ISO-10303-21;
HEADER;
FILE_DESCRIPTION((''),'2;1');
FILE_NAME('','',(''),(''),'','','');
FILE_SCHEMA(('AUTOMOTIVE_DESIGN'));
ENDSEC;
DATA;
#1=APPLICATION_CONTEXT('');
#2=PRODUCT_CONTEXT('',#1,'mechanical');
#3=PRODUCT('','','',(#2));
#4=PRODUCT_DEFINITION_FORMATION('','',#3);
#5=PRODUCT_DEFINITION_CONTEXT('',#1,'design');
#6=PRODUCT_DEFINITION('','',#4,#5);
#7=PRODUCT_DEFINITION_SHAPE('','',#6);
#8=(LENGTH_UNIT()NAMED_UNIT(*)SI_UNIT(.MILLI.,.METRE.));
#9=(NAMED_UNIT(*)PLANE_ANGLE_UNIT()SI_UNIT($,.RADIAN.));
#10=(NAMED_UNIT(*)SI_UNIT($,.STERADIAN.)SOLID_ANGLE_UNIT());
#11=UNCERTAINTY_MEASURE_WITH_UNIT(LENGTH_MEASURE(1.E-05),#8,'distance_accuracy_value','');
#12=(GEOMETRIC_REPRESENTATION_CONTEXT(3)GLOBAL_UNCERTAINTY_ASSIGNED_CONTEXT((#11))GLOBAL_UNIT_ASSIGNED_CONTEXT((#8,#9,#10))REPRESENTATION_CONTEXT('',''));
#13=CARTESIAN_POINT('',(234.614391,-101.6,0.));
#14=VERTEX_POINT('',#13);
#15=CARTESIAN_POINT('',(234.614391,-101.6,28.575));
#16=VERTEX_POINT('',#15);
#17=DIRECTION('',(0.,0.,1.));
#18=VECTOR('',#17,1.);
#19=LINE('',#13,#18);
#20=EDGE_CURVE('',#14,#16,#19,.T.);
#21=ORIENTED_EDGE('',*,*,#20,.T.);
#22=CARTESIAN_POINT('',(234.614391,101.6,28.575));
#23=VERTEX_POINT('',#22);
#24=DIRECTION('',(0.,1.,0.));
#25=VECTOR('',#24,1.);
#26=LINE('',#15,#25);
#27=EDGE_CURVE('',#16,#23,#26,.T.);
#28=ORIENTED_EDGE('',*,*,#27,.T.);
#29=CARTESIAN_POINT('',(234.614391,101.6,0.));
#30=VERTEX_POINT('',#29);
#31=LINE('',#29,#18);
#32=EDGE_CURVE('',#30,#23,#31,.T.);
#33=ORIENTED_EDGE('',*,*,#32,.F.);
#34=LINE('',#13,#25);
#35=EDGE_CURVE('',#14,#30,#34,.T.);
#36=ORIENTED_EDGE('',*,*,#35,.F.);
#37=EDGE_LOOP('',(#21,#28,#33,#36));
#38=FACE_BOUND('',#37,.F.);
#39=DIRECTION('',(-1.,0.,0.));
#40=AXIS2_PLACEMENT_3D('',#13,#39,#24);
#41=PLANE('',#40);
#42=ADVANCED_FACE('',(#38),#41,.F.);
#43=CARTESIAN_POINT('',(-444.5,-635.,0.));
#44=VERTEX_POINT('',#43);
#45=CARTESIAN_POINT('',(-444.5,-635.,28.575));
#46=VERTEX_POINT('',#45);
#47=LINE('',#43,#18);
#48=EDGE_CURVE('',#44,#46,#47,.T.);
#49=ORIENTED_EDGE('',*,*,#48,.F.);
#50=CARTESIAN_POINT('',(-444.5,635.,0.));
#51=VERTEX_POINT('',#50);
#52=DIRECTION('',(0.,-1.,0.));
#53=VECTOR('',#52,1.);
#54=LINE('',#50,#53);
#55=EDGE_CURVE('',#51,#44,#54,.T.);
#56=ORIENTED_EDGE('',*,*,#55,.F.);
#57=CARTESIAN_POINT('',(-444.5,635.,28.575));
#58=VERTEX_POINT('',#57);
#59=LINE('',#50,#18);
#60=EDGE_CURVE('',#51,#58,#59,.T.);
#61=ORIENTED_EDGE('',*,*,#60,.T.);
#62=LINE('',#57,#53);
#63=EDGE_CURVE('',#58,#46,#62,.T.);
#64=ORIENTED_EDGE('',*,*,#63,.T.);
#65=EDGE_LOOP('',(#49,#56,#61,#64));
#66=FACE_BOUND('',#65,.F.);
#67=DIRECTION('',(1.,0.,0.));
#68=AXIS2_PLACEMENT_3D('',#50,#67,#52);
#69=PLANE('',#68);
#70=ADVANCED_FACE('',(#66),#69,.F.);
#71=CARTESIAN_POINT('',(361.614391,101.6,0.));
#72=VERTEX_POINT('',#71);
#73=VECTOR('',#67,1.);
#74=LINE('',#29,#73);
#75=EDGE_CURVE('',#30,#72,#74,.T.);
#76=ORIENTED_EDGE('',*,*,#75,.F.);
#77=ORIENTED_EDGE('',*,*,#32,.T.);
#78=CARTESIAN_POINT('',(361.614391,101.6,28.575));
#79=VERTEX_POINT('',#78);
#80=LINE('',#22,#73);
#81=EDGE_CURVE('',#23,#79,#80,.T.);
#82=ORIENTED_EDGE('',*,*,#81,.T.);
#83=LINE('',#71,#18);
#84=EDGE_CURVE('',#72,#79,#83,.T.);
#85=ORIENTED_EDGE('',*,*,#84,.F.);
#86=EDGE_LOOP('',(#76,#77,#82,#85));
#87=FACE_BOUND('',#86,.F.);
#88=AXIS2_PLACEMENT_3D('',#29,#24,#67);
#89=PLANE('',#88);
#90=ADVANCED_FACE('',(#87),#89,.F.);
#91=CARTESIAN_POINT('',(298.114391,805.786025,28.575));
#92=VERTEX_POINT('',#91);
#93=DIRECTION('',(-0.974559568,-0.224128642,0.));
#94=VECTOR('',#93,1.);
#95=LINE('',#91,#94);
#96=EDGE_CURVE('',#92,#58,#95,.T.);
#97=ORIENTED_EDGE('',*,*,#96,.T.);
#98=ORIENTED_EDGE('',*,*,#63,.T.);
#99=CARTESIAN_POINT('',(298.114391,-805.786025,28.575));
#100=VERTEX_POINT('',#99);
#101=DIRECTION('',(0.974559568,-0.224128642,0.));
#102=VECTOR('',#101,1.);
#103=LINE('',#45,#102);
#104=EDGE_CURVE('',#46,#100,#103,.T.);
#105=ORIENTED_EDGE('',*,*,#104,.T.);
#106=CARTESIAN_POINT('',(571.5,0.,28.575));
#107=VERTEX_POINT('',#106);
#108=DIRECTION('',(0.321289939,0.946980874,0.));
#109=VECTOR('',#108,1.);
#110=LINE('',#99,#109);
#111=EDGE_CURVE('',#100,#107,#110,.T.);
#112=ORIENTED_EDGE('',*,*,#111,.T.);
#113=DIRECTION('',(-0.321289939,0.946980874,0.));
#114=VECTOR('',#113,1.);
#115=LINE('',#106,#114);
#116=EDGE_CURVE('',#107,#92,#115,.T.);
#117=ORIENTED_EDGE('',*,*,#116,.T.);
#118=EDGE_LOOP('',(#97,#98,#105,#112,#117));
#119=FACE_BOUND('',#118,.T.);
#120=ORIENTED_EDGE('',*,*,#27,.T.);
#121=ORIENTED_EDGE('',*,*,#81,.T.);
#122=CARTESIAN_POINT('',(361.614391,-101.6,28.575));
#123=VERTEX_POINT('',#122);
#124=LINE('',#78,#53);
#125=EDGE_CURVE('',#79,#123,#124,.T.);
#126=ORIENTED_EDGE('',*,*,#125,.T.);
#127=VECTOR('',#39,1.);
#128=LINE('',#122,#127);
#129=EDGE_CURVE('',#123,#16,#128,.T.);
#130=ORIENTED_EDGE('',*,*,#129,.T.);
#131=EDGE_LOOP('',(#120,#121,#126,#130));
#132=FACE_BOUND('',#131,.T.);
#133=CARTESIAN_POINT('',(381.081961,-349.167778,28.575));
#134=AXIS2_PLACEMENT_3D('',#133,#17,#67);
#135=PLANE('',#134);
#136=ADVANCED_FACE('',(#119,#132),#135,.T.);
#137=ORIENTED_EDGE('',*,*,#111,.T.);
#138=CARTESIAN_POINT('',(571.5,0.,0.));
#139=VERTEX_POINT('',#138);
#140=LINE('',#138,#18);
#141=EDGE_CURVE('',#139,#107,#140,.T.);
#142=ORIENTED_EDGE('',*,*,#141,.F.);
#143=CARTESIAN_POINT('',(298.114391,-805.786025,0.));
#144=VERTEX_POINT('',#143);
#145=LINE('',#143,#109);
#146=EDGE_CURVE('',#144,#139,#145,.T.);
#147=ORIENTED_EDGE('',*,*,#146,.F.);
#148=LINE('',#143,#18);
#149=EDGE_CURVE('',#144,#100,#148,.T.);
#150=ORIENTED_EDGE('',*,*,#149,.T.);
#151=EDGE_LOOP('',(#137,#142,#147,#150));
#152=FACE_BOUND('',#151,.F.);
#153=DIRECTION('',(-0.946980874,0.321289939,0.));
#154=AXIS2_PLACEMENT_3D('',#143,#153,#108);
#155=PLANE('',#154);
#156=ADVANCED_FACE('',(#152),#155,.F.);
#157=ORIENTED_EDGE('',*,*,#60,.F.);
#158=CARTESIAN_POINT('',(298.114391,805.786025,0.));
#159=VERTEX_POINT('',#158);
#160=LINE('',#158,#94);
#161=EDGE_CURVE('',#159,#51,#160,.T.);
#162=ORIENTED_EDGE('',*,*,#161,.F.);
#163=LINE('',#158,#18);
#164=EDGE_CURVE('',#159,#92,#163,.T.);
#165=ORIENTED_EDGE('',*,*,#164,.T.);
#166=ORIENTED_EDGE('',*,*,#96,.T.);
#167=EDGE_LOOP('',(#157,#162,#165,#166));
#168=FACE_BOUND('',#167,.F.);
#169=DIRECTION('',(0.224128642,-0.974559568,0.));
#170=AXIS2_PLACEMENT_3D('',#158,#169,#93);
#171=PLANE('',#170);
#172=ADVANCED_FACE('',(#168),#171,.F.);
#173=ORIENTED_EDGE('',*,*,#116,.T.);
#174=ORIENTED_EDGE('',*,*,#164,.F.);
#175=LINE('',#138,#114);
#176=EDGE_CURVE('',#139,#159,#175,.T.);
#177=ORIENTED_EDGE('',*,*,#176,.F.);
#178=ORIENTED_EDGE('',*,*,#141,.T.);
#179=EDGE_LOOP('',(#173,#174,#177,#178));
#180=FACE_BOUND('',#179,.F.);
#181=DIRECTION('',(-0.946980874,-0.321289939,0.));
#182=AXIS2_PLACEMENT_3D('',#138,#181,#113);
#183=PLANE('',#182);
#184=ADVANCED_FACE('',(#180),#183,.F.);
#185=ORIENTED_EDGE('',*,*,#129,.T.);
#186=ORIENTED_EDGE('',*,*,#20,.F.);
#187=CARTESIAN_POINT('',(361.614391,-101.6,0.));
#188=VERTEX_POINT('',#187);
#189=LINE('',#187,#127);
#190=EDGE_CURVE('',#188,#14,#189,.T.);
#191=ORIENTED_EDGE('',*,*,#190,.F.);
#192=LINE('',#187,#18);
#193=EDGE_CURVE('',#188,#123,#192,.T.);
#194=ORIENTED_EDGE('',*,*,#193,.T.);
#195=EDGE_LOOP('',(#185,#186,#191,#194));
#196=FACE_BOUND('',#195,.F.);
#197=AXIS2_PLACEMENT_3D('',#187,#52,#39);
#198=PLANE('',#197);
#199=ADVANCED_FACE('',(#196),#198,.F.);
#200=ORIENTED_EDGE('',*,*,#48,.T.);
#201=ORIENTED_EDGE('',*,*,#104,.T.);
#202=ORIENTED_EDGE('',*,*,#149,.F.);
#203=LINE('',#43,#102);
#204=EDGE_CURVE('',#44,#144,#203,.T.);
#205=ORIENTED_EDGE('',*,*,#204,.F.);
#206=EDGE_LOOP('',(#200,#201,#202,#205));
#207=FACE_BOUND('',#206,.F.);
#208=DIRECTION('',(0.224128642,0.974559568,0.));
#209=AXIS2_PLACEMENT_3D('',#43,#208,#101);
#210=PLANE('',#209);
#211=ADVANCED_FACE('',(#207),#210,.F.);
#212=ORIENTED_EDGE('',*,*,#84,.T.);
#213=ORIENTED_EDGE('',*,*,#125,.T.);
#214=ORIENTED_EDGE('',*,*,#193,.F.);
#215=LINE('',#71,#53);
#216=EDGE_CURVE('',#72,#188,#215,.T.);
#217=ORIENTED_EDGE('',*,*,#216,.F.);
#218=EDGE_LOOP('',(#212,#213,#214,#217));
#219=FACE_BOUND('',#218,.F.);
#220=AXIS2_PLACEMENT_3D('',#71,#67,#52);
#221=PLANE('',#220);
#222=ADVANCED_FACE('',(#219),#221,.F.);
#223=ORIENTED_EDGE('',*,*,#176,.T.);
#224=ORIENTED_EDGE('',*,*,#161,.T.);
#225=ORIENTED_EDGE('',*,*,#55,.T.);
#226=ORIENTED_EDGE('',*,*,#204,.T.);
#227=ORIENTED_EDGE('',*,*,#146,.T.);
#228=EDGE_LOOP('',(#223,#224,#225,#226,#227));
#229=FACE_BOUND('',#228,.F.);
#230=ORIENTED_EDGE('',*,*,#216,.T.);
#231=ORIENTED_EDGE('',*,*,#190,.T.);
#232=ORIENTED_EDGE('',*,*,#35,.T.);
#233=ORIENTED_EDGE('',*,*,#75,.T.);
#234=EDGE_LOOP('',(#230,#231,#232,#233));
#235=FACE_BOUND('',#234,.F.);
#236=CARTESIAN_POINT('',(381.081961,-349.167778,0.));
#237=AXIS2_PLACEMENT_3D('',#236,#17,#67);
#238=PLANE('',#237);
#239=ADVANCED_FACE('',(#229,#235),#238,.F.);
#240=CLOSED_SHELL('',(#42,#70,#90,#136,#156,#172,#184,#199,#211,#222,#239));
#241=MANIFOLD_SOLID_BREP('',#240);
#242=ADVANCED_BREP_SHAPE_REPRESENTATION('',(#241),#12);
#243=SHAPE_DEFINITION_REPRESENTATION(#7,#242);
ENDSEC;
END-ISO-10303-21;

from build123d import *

# Parameters (mm, degrees)
F0_W     = 127
F0_H     = 101.6
F1_DEPTH = 28.575


with BuildPart() as f1:
    # F0 (on Top) → F1 (new body)
    with BuildSketch(Plane.XY):
        Polygon((298.114391, -805.786025), (571.5, 0), (361.614391, 0), (361.614391, -101.6), (298.114391, -101.6), align=None)
        Polygon((298.114391, 101.6), (298.114391, 805.786025), (-444.5, 635), (-444.5, 0), (-63.5, 0), (-63.5, 101.6), (63.5, 101.6), (63.5, 0), (234.614391, 0), (234.614391, 101.6), align=None)
        Polygon((361.614391, 0), (571.5, 0), (298.114391, 805.786025), (298.114391, 101.6), (361.614391, 101.6), align=None)
        Polygon((-444.5, -635), (298.114391, -805.786025), (298.114391, -101.6), (234.614391, -101.6), (234.614391, 0), (63.5, 0), (63.5, -101.6), (-63.5, -101.6), (-63.5, 0), (-444.5, 0), align=None)
        with Locations((0, 50.8)):
            Rectangle(F0_W, F0_H)
        with Locations((0, -50.8)):
            Rectangle(F0_W, F0_H)
    extrude(amount=F1_DEPTH)


solid = f1.part
